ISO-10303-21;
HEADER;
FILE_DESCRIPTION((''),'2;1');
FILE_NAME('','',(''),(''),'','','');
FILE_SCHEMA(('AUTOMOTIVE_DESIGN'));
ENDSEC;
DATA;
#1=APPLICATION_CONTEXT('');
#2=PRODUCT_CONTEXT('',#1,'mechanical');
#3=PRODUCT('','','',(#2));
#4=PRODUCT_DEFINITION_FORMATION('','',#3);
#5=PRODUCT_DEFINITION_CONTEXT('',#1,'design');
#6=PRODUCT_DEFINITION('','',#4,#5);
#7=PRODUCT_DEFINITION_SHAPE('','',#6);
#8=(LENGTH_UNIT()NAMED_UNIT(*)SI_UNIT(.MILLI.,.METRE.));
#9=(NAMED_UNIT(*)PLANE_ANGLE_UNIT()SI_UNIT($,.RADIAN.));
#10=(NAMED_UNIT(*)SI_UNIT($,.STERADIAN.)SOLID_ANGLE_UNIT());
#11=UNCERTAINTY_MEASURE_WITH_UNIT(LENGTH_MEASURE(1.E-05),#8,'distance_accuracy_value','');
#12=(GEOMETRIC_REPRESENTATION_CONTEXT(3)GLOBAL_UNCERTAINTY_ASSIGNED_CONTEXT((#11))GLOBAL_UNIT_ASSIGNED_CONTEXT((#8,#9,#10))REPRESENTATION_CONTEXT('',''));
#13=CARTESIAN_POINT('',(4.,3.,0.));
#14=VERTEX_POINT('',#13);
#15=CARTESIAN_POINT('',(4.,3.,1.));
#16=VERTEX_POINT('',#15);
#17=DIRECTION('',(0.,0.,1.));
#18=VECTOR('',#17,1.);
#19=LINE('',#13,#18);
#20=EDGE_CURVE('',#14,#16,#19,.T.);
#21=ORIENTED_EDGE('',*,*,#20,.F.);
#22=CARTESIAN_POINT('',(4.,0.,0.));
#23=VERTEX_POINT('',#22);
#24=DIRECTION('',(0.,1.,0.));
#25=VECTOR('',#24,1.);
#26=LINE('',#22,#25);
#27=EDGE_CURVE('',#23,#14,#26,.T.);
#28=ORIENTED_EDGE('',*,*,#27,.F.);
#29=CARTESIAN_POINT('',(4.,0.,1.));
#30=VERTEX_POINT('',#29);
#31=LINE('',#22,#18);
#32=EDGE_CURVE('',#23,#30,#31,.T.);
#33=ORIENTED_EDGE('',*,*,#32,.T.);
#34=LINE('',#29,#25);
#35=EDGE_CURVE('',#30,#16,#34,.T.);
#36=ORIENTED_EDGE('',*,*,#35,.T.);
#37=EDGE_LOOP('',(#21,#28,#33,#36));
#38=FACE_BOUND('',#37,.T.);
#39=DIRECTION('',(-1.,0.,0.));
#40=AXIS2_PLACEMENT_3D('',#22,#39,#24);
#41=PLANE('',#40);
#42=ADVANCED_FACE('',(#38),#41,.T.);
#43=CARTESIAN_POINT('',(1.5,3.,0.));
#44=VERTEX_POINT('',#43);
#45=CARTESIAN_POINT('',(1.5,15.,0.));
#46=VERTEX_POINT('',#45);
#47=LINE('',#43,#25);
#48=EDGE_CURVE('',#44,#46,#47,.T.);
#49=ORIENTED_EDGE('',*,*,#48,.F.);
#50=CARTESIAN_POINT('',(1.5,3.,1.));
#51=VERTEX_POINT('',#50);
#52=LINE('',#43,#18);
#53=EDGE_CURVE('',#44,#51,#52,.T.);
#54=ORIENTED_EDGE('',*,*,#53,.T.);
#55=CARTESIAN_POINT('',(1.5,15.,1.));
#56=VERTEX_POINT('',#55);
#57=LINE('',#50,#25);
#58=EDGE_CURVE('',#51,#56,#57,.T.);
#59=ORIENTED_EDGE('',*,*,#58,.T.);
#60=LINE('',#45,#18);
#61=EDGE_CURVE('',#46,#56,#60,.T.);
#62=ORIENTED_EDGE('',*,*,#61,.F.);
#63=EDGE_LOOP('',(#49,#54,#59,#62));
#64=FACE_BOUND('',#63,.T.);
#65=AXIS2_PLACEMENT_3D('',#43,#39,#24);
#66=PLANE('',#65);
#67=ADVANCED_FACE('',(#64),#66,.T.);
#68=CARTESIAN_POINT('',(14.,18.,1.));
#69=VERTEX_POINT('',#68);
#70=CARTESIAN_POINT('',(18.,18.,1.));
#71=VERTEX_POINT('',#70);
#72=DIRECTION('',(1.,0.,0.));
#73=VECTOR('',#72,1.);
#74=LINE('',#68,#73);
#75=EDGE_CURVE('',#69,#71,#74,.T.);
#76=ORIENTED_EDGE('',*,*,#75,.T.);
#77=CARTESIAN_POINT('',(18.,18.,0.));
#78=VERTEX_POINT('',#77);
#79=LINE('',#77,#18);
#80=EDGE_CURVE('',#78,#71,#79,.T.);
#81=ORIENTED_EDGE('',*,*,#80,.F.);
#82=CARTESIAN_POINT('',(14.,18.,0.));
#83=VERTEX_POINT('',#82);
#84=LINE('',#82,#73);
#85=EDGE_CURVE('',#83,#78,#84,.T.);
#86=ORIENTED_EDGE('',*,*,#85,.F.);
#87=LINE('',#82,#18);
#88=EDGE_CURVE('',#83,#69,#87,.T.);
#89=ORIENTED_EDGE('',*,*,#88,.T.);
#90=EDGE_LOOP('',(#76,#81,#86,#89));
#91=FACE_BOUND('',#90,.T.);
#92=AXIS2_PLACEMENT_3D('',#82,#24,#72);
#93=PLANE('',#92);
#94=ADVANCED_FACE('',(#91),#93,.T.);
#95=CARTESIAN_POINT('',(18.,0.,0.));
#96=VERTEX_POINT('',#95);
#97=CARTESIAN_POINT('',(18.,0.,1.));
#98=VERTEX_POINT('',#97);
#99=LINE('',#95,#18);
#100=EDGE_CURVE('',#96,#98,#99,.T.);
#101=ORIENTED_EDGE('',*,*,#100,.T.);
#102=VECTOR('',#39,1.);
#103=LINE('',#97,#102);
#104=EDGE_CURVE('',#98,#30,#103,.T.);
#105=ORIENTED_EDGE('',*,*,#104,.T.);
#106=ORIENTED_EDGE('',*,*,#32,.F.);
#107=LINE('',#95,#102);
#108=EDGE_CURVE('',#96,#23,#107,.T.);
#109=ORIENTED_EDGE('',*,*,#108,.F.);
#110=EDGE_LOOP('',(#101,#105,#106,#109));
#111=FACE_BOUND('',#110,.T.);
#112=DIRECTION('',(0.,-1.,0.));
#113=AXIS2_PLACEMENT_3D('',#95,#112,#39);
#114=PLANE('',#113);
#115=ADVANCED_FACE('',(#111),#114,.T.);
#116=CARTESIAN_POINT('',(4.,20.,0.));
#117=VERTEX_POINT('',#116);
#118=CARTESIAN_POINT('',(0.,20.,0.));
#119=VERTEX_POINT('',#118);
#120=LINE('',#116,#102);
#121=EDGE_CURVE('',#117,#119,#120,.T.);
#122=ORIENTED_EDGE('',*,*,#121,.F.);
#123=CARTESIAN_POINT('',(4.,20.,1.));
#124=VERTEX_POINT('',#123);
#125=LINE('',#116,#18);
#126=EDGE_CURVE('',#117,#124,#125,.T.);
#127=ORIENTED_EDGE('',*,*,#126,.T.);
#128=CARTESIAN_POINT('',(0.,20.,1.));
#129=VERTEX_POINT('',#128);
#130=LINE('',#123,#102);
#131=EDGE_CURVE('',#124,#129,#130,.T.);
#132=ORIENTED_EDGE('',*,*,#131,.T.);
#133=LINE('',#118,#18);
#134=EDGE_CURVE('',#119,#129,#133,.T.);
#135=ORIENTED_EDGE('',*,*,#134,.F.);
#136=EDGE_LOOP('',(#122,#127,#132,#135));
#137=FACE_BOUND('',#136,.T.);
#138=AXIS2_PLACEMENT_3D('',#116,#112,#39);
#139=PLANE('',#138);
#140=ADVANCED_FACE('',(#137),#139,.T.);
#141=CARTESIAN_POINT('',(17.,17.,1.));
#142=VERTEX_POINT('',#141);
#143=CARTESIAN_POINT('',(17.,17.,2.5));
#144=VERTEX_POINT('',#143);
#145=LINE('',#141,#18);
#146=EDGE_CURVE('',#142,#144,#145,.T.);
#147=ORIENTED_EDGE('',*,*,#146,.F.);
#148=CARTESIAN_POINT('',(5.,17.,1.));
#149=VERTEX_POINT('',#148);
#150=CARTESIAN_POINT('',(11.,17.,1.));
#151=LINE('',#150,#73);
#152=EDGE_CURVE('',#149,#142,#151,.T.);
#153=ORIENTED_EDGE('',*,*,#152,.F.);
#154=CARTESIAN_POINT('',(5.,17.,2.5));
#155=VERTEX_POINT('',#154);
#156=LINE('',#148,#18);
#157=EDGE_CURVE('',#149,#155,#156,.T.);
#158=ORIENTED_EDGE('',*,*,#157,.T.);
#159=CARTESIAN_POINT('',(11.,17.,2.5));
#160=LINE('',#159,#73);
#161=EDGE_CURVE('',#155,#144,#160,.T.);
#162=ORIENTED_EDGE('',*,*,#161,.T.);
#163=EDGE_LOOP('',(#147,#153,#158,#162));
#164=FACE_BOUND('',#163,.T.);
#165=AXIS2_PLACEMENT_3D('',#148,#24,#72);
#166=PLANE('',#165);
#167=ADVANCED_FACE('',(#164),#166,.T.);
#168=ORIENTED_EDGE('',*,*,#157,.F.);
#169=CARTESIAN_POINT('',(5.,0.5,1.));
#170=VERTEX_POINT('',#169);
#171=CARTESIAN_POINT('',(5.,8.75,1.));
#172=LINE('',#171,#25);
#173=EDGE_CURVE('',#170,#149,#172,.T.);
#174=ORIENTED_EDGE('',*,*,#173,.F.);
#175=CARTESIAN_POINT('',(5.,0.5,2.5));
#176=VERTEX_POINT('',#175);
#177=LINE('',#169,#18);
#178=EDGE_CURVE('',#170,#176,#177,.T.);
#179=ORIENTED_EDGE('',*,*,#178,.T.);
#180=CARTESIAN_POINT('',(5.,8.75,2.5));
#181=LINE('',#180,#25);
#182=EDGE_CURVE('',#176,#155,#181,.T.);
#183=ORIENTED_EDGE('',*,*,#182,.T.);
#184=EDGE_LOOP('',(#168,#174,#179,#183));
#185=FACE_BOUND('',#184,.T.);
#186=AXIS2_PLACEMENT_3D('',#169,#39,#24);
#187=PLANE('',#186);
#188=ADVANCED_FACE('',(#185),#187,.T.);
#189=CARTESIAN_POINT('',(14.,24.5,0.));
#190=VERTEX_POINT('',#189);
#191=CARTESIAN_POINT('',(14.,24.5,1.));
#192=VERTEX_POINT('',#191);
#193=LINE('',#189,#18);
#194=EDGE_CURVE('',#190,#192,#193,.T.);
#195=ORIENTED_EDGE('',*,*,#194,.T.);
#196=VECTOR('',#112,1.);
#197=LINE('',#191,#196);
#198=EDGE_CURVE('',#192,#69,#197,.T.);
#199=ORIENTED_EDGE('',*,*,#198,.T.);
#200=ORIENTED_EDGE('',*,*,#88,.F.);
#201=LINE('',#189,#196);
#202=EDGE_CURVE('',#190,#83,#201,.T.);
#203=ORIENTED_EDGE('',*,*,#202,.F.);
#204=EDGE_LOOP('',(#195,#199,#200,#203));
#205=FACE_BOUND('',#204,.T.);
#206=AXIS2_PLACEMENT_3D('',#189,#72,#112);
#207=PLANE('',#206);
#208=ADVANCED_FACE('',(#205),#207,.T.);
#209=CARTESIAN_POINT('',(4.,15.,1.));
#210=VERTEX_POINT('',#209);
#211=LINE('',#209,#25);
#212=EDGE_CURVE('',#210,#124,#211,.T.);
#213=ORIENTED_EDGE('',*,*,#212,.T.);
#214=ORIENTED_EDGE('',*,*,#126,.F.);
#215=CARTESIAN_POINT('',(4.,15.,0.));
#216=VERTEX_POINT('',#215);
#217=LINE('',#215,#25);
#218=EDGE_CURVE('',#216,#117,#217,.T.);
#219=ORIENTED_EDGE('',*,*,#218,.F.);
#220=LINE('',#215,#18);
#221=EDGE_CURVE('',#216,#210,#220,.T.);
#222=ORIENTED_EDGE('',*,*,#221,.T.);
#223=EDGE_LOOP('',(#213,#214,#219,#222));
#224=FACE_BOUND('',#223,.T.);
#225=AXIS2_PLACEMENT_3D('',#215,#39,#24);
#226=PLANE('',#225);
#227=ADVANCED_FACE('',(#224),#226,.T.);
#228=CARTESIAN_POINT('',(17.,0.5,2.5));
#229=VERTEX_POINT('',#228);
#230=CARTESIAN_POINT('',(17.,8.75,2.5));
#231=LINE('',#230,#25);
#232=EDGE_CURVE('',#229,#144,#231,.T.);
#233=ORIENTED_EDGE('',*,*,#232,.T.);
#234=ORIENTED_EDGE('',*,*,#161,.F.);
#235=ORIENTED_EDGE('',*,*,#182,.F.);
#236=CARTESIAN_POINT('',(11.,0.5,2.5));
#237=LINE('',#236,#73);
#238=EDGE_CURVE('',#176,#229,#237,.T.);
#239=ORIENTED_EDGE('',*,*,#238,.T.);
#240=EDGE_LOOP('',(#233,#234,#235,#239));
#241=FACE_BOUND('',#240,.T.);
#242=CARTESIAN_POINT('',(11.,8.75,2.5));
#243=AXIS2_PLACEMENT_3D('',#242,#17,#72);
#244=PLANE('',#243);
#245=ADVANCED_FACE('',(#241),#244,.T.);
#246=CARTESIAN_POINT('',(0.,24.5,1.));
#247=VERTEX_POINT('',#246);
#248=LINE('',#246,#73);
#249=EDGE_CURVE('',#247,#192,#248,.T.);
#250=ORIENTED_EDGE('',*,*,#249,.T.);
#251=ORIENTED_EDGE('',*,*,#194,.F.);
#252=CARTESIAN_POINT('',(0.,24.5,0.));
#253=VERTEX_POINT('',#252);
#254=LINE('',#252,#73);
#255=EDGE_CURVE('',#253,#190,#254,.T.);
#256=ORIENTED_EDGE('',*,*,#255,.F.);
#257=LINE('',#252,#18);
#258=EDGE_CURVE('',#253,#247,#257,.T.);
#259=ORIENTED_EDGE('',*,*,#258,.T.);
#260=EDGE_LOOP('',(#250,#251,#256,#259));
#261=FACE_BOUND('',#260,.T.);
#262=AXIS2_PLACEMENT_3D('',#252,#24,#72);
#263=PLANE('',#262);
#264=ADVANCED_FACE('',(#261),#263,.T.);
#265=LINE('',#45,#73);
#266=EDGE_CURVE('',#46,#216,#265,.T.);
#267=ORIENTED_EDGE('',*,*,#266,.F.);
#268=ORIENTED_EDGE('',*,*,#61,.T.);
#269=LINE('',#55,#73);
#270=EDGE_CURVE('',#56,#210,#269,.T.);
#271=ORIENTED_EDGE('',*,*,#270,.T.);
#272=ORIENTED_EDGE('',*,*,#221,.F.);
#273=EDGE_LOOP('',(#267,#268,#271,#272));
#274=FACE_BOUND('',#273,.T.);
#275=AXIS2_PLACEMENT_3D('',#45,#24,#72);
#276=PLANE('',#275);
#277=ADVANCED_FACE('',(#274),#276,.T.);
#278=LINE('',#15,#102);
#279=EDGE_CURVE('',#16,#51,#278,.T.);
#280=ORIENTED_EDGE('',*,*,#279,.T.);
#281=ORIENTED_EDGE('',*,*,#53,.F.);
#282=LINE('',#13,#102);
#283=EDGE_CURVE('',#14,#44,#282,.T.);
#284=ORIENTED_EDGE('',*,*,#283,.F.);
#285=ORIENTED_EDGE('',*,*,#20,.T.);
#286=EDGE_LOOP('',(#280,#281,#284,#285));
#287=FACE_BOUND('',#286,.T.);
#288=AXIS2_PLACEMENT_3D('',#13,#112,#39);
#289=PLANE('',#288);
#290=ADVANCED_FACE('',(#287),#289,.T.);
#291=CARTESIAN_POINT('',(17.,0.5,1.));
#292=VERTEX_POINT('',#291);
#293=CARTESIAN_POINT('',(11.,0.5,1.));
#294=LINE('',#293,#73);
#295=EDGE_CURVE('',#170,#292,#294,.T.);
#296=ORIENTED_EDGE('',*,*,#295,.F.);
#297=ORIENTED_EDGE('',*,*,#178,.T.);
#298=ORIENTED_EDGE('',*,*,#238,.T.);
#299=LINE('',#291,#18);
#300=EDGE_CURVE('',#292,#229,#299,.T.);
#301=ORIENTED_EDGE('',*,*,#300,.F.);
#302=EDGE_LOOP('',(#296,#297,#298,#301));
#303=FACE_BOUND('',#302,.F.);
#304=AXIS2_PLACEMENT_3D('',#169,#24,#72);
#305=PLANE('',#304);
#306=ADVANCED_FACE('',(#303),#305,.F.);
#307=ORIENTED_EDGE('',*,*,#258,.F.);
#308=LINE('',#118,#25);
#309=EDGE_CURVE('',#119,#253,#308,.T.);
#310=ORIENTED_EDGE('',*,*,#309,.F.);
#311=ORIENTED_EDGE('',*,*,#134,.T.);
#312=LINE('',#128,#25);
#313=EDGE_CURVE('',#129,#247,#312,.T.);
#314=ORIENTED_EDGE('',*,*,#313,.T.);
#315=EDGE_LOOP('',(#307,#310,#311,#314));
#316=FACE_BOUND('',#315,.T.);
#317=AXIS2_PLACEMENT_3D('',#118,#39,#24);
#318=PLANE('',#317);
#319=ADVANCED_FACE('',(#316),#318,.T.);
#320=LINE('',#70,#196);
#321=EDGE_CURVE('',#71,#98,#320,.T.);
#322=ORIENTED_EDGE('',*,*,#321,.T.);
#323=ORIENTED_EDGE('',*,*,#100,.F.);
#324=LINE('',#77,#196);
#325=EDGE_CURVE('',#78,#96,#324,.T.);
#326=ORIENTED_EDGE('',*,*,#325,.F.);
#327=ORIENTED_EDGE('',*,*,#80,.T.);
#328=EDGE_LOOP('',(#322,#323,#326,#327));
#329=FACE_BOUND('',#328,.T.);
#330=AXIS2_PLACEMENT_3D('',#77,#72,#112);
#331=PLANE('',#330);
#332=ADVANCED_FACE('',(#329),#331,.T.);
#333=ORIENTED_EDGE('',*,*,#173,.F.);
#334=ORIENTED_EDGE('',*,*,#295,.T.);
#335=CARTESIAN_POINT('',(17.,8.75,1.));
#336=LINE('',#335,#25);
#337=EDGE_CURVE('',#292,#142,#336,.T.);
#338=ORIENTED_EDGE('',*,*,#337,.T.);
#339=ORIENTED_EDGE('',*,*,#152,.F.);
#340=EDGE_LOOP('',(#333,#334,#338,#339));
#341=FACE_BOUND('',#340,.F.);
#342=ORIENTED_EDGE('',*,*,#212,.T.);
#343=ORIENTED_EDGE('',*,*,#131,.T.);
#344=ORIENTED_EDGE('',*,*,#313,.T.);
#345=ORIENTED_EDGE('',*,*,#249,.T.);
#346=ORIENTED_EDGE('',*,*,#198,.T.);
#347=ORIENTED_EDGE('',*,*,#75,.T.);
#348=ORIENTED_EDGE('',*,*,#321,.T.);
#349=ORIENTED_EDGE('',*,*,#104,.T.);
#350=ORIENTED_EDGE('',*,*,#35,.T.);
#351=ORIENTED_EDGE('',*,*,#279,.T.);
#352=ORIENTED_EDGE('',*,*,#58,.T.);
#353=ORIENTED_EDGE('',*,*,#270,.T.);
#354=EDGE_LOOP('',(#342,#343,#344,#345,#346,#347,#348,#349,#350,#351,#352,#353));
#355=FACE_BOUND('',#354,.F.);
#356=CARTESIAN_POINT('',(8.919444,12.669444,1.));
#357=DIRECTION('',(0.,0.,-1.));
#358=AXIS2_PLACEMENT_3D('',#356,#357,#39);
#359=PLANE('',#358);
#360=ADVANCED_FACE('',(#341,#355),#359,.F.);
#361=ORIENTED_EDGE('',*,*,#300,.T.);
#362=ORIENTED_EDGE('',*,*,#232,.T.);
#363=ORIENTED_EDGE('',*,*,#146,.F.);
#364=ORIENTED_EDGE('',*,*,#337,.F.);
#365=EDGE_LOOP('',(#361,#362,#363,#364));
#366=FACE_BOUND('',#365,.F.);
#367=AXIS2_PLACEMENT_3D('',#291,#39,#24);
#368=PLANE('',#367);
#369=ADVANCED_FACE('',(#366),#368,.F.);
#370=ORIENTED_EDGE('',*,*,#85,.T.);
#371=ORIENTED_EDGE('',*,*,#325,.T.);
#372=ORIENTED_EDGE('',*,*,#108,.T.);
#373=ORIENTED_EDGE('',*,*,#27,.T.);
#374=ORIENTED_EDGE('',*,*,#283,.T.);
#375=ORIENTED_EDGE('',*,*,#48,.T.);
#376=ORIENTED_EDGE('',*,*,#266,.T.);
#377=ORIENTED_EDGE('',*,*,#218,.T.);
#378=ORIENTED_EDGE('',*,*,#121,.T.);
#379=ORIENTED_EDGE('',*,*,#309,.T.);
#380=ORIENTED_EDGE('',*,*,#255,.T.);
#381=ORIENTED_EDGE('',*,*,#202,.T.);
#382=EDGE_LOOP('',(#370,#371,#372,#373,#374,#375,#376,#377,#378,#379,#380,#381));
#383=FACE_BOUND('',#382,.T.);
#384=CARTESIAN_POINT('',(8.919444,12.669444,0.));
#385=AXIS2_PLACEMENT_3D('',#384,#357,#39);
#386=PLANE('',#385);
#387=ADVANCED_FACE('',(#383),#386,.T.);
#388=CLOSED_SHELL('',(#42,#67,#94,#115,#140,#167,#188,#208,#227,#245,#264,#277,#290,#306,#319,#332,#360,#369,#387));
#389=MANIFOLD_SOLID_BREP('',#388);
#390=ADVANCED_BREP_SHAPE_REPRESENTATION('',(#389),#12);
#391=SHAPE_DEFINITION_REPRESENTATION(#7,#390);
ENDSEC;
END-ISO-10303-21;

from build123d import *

# Parameters (mm, degrees)
PAD_DEPTH    = 1
SKETCH001_W  = 12
SKETCH001_H  = 16.5
PAD001_DEPTH = 1.5


with BuildPart() as part:
    # Sketch → Pad (new body)
    with BuildSketch(Plane.XY):
        Polygon((0, 24.5), (14, 24.5), (14, 18), (18, 18), (18, 0), (4, 0), (4, 3), (1.5, 3), (1.5, 15), (4, 15), (4, 20), (0, 20), align=None)
    extrude(amount=PAD_DEPTH)

    # Sketch001 (on Face14 of Pad) → Pad001 (join)
    with BuildSketch(Plane.XY.offset(1)):
        with Locations((11, 8.75)):
            Rectangle(SKETCH001_W, SKETCH001_H)
    extrude(amount=PAD001_DEPTH)


solid = part.part
